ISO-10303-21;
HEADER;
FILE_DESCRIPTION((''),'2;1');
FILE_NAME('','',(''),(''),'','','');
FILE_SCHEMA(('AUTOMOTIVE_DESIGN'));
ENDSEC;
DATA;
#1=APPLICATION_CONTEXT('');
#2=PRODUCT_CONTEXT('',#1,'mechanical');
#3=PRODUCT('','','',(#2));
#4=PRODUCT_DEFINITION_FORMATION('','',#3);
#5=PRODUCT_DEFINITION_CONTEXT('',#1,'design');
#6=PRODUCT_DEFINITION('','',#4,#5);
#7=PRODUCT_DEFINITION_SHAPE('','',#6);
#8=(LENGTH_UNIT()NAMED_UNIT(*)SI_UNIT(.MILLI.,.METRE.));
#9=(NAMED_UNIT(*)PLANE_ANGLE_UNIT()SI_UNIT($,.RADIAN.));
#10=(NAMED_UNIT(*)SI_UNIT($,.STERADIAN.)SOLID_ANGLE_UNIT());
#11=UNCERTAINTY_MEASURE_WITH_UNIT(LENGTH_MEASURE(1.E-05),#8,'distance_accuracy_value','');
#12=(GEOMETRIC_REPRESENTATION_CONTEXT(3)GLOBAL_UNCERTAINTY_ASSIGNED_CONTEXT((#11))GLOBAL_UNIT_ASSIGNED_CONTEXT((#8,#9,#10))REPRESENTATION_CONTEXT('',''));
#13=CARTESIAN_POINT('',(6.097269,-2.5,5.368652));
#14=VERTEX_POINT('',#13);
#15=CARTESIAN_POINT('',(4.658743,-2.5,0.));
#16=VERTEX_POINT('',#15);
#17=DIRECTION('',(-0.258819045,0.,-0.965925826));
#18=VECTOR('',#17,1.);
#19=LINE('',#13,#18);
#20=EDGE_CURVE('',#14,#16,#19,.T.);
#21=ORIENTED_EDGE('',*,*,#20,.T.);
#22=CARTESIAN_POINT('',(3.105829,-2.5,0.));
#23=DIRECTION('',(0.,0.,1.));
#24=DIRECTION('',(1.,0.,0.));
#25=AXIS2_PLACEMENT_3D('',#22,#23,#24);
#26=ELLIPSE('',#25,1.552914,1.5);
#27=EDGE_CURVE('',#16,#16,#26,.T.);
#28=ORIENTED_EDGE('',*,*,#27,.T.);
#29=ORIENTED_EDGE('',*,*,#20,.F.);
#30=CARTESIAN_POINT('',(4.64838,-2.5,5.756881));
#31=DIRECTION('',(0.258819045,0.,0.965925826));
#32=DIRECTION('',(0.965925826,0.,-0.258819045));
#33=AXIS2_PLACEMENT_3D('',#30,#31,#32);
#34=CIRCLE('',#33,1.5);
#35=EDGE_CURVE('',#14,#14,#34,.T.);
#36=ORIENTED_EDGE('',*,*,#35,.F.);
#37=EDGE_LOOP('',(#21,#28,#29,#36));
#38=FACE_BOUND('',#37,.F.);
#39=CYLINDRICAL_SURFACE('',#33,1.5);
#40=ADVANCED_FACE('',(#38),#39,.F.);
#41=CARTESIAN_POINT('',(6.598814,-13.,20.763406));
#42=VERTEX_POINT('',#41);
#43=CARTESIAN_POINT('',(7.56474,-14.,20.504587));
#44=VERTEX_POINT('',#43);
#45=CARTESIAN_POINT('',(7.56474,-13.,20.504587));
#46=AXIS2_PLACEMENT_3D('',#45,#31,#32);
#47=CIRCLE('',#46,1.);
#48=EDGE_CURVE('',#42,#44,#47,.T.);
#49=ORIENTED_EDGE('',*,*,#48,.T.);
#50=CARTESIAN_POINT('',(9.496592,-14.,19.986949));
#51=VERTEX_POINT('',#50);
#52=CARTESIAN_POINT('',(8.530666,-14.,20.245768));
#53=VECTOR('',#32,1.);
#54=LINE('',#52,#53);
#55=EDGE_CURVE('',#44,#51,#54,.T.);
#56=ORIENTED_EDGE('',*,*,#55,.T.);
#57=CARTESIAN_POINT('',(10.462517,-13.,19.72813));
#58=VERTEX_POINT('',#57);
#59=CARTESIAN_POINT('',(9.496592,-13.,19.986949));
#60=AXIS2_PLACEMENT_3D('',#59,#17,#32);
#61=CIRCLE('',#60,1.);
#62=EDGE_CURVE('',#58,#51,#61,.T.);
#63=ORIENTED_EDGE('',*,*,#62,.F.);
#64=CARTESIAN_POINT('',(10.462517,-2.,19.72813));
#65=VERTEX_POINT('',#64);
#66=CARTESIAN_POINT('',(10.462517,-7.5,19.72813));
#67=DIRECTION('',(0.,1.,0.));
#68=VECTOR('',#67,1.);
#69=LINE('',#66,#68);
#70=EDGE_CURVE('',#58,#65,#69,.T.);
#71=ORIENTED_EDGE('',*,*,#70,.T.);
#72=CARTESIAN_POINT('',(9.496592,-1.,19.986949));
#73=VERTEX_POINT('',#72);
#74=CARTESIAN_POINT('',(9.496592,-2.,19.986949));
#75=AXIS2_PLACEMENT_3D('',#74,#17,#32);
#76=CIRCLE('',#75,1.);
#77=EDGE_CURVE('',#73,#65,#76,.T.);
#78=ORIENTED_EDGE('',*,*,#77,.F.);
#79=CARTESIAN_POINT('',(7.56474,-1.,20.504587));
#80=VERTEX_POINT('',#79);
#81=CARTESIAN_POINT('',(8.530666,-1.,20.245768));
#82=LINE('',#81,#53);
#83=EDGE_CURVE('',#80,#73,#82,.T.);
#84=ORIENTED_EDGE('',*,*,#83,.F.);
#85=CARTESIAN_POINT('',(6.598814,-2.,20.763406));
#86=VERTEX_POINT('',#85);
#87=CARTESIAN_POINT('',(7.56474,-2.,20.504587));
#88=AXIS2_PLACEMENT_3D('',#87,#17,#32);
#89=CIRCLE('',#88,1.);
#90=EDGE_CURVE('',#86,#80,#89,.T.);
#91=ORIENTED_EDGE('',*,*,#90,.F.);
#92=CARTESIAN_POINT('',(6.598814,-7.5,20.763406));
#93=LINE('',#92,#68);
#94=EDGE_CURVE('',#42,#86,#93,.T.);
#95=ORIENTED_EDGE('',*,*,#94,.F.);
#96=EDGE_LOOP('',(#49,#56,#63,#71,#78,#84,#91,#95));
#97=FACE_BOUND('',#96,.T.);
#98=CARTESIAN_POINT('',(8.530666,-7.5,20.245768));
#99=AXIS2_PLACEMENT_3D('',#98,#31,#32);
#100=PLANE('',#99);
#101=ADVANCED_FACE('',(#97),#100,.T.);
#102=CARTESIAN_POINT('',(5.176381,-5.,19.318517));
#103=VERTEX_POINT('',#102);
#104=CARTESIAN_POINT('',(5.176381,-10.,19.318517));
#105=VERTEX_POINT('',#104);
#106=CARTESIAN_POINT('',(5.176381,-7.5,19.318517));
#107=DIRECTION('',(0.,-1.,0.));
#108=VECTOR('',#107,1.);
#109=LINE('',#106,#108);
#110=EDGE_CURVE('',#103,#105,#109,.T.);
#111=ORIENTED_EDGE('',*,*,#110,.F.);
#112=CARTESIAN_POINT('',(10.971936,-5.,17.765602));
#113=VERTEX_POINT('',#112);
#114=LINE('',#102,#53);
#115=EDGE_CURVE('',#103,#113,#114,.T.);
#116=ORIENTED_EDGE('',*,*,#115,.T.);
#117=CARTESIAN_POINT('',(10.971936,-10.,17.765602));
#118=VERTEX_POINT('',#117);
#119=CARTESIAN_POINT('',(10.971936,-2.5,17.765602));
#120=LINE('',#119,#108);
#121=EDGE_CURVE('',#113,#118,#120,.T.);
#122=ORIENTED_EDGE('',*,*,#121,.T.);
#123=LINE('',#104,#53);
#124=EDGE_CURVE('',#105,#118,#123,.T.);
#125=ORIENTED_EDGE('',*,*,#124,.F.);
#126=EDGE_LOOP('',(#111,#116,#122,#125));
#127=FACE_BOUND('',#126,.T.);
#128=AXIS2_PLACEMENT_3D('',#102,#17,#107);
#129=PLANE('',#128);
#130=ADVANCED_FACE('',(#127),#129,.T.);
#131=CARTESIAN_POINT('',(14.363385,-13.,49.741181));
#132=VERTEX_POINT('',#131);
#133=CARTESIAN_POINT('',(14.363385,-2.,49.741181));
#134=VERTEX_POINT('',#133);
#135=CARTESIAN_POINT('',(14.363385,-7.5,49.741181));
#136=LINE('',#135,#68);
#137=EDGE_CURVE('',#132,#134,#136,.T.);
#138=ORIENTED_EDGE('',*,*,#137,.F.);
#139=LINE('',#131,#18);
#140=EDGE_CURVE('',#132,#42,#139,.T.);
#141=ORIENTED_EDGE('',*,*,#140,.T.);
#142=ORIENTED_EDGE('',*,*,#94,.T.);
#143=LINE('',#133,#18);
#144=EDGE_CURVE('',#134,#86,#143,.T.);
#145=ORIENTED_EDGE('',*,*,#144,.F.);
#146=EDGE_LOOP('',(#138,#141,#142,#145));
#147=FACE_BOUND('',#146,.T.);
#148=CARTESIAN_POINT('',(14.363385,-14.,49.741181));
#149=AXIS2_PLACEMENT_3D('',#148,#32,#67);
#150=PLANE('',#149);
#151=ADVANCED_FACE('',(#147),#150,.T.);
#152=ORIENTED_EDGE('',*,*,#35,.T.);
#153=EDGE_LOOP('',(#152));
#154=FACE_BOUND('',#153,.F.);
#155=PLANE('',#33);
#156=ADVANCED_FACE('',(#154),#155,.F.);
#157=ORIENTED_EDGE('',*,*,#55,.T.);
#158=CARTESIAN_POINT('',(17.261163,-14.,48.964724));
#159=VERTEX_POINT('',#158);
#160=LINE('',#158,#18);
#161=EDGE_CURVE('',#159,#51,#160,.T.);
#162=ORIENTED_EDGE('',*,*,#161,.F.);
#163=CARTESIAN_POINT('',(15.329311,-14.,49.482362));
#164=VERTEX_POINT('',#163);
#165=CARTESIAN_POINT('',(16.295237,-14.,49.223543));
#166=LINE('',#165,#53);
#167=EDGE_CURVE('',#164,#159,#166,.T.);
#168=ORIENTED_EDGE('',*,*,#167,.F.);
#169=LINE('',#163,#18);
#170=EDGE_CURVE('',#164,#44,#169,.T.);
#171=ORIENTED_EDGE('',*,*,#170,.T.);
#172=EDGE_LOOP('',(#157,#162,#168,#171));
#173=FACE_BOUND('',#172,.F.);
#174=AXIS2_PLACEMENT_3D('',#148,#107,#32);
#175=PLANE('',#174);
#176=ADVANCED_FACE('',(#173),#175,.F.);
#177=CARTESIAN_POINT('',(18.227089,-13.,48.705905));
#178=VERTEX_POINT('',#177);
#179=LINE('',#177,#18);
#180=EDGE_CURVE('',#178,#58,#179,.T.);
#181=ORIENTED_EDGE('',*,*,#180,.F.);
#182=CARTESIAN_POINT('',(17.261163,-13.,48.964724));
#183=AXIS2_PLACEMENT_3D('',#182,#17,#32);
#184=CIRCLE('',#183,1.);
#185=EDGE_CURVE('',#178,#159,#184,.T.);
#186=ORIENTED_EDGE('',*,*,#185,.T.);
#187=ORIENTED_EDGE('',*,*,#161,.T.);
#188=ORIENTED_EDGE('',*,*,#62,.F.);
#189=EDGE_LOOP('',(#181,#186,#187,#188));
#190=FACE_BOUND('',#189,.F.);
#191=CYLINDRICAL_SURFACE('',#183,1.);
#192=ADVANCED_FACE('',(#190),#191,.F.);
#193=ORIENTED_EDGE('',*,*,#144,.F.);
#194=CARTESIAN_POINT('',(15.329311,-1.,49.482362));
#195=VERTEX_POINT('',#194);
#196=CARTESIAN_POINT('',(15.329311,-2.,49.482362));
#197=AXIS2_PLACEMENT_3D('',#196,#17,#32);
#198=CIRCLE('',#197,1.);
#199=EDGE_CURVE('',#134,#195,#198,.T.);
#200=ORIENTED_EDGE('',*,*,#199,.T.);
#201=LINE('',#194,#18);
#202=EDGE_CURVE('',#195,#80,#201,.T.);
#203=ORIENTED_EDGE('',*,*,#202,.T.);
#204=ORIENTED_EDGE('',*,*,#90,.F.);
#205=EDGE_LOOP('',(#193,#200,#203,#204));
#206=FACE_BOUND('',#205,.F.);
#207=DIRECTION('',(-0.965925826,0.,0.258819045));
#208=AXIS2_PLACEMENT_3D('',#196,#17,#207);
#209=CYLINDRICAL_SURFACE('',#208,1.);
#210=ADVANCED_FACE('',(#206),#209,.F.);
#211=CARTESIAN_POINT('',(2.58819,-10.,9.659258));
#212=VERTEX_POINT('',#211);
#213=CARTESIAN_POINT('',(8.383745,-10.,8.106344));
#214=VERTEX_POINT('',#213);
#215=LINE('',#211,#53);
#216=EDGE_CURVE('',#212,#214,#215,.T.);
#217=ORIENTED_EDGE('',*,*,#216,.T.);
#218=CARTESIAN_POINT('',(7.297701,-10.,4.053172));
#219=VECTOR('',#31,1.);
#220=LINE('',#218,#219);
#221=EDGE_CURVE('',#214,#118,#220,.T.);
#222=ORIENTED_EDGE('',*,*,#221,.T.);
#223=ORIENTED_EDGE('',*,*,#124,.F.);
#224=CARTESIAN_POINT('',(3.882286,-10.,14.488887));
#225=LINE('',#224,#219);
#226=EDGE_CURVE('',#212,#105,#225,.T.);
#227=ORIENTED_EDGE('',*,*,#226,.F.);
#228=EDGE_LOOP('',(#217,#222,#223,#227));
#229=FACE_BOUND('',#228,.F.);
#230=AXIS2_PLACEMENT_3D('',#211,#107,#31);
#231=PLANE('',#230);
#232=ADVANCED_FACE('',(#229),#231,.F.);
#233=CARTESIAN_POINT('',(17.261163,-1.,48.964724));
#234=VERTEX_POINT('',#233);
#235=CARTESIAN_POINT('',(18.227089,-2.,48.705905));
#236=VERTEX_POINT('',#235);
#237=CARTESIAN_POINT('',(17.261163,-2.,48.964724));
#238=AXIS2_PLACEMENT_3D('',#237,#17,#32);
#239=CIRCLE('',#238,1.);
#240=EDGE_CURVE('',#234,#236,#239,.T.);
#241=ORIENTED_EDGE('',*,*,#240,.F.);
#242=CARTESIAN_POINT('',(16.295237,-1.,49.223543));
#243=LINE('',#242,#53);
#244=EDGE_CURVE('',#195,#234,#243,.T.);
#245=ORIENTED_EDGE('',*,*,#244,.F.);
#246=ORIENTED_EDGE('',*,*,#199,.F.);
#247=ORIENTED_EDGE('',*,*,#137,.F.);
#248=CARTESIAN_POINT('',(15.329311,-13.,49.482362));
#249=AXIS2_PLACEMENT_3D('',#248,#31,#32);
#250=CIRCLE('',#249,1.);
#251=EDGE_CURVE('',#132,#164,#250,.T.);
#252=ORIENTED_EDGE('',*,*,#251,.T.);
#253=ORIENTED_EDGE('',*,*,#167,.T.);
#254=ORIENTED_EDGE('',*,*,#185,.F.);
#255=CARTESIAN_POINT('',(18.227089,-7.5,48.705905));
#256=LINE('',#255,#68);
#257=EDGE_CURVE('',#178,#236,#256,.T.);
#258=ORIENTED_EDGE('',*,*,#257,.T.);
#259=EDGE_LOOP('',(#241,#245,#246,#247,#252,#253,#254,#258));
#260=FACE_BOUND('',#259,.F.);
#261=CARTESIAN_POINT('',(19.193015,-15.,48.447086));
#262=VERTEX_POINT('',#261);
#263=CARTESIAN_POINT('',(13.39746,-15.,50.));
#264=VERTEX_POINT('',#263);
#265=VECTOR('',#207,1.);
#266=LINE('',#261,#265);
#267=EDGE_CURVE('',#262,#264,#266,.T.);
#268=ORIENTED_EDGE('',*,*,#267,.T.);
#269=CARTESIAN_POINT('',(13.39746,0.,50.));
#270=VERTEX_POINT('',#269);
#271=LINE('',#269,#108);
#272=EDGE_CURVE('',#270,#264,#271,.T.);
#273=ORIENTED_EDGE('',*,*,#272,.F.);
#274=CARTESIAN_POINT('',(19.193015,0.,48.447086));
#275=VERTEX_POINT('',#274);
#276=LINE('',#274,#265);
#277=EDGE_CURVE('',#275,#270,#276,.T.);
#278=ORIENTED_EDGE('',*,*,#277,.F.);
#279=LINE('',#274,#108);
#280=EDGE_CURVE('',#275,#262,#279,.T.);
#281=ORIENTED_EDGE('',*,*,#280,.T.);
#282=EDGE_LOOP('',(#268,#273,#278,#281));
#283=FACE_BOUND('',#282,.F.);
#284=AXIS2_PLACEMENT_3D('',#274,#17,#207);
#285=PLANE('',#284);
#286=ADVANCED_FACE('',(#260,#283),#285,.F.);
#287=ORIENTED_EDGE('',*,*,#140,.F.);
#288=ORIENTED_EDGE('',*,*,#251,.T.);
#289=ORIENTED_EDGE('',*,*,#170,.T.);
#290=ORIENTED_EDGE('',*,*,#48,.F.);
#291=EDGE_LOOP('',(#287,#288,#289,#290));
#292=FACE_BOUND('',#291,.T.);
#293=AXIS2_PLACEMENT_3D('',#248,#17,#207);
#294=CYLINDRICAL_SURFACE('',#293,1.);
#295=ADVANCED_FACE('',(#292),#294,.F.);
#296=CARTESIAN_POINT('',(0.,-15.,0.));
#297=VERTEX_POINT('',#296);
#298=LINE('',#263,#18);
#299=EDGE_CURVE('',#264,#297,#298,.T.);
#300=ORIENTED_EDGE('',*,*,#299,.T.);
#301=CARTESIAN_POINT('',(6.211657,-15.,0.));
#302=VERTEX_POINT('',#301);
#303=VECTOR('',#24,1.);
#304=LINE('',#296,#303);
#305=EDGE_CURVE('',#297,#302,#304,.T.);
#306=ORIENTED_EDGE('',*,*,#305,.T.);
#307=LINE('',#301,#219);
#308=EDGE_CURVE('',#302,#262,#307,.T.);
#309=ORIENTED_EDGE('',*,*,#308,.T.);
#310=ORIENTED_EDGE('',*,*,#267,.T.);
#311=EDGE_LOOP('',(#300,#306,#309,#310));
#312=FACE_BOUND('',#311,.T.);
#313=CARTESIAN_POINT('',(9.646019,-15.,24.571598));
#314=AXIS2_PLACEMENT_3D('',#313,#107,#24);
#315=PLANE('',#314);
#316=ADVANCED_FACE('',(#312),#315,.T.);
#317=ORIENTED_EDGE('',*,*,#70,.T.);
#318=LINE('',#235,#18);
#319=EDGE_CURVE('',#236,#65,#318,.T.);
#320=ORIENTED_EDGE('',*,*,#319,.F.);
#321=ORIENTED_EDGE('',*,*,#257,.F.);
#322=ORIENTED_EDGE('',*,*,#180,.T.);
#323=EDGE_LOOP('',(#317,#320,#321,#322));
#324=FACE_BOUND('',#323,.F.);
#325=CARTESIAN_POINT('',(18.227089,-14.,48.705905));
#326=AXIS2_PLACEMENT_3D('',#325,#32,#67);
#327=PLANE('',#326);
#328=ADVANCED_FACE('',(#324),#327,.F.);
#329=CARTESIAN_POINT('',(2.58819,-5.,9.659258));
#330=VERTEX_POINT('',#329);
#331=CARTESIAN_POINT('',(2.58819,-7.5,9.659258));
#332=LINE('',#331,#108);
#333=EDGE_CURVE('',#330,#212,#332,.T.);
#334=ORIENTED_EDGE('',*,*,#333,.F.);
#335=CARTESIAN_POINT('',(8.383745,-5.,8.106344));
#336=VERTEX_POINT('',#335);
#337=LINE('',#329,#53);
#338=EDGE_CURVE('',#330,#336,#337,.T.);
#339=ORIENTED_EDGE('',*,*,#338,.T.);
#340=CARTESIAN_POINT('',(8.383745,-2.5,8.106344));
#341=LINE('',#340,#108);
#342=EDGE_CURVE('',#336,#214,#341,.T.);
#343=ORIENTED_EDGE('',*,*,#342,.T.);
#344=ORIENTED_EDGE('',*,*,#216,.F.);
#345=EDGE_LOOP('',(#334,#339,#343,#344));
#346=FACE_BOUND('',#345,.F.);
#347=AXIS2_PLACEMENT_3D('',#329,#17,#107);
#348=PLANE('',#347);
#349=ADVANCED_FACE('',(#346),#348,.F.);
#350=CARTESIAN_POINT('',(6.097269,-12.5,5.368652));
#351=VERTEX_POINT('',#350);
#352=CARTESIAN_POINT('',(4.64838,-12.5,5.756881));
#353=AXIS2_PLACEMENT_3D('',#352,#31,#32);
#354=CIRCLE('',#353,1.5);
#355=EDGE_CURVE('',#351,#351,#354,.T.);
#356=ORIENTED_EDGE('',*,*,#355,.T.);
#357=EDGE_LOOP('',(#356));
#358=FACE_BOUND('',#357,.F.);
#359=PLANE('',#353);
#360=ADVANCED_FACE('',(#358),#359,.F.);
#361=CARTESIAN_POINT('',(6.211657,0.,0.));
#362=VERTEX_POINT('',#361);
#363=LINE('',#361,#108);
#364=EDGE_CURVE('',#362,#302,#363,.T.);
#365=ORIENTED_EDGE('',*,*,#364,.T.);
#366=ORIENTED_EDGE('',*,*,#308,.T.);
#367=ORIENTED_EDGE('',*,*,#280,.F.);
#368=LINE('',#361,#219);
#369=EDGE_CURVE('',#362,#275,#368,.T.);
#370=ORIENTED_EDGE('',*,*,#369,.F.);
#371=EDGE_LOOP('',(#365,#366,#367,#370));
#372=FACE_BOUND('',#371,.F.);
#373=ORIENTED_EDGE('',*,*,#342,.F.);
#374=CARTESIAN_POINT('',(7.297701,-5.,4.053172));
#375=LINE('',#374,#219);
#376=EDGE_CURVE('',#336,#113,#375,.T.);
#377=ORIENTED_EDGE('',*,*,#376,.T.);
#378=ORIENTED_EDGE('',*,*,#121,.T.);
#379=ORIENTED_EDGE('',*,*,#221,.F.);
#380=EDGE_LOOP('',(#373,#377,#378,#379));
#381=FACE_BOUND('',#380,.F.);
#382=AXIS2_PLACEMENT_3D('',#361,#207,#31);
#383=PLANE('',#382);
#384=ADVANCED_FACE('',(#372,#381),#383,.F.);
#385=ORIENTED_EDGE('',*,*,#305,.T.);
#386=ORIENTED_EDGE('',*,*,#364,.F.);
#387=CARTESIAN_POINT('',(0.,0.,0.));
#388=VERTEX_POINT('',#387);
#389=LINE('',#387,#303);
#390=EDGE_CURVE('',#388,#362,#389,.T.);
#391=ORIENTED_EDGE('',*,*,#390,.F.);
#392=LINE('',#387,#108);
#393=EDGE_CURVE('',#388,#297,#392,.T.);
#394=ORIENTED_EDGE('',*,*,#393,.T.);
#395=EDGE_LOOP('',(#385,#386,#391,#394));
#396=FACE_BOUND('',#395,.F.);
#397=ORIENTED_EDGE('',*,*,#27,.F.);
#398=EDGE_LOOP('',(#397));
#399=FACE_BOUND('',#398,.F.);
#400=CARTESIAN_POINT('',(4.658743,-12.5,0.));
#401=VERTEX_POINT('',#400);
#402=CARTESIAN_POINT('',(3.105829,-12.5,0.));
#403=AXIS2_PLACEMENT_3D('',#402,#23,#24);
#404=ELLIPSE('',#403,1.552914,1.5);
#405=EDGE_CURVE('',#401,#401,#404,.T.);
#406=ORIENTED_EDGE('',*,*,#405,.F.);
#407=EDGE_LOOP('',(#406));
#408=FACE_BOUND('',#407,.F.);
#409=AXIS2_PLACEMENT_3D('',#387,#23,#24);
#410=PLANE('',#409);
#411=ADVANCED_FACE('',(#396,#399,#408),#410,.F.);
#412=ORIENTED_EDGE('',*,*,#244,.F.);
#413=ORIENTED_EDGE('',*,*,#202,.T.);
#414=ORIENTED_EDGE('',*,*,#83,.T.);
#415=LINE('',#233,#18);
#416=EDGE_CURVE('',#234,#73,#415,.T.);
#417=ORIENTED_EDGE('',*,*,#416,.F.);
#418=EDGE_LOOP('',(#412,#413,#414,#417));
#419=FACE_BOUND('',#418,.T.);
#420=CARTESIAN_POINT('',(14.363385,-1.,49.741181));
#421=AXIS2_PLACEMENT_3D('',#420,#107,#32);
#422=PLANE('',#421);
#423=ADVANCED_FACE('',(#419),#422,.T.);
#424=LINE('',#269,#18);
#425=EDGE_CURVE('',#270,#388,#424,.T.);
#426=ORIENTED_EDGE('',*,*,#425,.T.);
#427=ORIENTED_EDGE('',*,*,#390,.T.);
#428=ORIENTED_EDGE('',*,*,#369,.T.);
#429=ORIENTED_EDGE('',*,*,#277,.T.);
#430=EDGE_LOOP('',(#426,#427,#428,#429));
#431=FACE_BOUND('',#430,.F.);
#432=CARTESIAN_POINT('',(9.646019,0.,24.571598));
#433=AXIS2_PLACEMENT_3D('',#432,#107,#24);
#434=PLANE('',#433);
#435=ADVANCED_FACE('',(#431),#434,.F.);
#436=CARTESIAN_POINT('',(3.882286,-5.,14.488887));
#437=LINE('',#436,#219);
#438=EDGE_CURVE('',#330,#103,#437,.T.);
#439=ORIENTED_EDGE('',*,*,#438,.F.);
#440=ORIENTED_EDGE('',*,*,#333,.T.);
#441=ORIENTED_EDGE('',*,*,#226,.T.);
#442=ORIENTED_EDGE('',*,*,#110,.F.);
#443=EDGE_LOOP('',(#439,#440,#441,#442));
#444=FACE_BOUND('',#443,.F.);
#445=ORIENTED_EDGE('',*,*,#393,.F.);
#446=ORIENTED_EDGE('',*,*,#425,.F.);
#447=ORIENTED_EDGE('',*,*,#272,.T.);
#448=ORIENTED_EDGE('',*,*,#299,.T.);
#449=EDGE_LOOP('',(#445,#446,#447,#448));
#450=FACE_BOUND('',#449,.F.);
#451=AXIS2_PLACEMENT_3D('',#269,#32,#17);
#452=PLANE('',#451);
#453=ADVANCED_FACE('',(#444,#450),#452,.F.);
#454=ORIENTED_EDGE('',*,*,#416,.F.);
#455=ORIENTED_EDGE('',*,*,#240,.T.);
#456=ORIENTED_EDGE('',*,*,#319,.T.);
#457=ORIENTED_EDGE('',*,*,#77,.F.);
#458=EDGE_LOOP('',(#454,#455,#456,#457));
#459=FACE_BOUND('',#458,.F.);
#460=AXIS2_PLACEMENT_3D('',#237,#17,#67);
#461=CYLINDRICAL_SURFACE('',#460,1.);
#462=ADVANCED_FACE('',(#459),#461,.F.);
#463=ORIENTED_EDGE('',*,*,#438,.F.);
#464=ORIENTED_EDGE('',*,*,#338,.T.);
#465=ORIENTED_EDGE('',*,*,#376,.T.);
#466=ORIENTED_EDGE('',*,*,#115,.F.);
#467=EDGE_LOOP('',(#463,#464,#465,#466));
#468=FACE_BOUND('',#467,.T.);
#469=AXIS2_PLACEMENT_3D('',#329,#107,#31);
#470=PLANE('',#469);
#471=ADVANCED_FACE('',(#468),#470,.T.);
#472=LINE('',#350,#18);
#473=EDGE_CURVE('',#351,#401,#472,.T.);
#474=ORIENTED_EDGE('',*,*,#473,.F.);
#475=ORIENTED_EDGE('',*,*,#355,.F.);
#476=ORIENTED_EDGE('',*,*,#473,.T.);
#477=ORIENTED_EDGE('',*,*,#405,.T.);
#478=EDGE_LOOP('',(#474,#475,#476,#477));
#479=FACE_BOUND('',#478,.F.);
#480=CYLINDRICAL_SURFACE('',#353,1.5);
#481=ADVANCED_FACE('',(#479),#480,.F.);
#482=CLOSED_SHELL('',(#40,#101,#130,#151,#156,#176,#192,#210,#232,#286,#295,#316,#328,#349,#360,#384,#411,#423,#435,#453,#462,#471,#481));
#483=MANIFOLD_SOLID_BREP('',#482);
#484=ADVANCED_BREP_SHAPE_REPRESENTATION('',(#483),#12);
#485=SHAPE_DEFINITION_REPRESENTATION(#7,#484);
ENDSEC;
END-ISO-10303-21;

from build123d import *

# Parameters (mm, degrees)
F1_DEPTH = 15
F3_START = -45
F2_R     = 1.5
F3_DEPTH = 10
F4_W     = 4
F4_H     = 13
F5_DEPTH = 30
F6_W     = 5
F6_H     = 10
F7_DEPTH = 18.5400284665
F8_R     = 1


with BuildPart() as f1:
    # F0 (on Front) → F1 (new body)
    with BuildSketch(Plane.XZ):
        Polygon((13.3974596216, 50), (0, 0), (6.2116570825, 0), (19.1930145793, 48.4470857294), align=None)
    extrude(amount=F1_DEPTH)

    # F2 (on face) → F3 (cut)
    with BuildSketch(Plane(origin=(13.3974596216, 0, 50), x_dir=(0.9659258263, 0, -0.2588190451), z_dir=(0.2588190451, 0, 0.9659258263)).offset(F3_START)):
        with Locations((3, -12.5)):
            Circle(F2_R)
        with Locations((3, -2.5)):
            Circle(F2_R)
    extrude(amount=-F3_DEPTH, mode=Mode.SUBTRACT)

    # F4 (on face) → F5 (cut)
    with BuildSketch(Plane(origin=(13.3974596216, 0, 50), x_dir=(0.9659258263, 0, -0.2588190451), z_dir=(0.2588190451, 0, 0.9659258263))):
        with Locations((3, -7.5)):
            Rectangle(F4_W, F4_H)
    extrude(amount=-F5_DEPTH, mode=Mode.SUBTRACT)

    # F6 (on face) → F7 (cut, through all)
    with BuildSketch(Plane(origin=(0, 0, 0), x_dir=(0, -1, 0), z_dir=(-0.9659258263, 0, 0.2588190451))):
        with Locations((7.5, 15)):
            Rectangle(F6_W, F6_H)
    extrude(amount=-F7_DEPTH, mode=Mode.SUBTRACT)

    # F8
    f8_edges = [f1.edges().sort_by_distance(p)[0] for p in [
        (10.4811, -1, 35.252294),
        (14.344803, -14, 34.217017),
        (10.4811, -14, 35.252294),
        (14.344803, -1, 34.217017),
    ]]
    fillet(f8_edges, radius=F8_R)


solid = f1.part
